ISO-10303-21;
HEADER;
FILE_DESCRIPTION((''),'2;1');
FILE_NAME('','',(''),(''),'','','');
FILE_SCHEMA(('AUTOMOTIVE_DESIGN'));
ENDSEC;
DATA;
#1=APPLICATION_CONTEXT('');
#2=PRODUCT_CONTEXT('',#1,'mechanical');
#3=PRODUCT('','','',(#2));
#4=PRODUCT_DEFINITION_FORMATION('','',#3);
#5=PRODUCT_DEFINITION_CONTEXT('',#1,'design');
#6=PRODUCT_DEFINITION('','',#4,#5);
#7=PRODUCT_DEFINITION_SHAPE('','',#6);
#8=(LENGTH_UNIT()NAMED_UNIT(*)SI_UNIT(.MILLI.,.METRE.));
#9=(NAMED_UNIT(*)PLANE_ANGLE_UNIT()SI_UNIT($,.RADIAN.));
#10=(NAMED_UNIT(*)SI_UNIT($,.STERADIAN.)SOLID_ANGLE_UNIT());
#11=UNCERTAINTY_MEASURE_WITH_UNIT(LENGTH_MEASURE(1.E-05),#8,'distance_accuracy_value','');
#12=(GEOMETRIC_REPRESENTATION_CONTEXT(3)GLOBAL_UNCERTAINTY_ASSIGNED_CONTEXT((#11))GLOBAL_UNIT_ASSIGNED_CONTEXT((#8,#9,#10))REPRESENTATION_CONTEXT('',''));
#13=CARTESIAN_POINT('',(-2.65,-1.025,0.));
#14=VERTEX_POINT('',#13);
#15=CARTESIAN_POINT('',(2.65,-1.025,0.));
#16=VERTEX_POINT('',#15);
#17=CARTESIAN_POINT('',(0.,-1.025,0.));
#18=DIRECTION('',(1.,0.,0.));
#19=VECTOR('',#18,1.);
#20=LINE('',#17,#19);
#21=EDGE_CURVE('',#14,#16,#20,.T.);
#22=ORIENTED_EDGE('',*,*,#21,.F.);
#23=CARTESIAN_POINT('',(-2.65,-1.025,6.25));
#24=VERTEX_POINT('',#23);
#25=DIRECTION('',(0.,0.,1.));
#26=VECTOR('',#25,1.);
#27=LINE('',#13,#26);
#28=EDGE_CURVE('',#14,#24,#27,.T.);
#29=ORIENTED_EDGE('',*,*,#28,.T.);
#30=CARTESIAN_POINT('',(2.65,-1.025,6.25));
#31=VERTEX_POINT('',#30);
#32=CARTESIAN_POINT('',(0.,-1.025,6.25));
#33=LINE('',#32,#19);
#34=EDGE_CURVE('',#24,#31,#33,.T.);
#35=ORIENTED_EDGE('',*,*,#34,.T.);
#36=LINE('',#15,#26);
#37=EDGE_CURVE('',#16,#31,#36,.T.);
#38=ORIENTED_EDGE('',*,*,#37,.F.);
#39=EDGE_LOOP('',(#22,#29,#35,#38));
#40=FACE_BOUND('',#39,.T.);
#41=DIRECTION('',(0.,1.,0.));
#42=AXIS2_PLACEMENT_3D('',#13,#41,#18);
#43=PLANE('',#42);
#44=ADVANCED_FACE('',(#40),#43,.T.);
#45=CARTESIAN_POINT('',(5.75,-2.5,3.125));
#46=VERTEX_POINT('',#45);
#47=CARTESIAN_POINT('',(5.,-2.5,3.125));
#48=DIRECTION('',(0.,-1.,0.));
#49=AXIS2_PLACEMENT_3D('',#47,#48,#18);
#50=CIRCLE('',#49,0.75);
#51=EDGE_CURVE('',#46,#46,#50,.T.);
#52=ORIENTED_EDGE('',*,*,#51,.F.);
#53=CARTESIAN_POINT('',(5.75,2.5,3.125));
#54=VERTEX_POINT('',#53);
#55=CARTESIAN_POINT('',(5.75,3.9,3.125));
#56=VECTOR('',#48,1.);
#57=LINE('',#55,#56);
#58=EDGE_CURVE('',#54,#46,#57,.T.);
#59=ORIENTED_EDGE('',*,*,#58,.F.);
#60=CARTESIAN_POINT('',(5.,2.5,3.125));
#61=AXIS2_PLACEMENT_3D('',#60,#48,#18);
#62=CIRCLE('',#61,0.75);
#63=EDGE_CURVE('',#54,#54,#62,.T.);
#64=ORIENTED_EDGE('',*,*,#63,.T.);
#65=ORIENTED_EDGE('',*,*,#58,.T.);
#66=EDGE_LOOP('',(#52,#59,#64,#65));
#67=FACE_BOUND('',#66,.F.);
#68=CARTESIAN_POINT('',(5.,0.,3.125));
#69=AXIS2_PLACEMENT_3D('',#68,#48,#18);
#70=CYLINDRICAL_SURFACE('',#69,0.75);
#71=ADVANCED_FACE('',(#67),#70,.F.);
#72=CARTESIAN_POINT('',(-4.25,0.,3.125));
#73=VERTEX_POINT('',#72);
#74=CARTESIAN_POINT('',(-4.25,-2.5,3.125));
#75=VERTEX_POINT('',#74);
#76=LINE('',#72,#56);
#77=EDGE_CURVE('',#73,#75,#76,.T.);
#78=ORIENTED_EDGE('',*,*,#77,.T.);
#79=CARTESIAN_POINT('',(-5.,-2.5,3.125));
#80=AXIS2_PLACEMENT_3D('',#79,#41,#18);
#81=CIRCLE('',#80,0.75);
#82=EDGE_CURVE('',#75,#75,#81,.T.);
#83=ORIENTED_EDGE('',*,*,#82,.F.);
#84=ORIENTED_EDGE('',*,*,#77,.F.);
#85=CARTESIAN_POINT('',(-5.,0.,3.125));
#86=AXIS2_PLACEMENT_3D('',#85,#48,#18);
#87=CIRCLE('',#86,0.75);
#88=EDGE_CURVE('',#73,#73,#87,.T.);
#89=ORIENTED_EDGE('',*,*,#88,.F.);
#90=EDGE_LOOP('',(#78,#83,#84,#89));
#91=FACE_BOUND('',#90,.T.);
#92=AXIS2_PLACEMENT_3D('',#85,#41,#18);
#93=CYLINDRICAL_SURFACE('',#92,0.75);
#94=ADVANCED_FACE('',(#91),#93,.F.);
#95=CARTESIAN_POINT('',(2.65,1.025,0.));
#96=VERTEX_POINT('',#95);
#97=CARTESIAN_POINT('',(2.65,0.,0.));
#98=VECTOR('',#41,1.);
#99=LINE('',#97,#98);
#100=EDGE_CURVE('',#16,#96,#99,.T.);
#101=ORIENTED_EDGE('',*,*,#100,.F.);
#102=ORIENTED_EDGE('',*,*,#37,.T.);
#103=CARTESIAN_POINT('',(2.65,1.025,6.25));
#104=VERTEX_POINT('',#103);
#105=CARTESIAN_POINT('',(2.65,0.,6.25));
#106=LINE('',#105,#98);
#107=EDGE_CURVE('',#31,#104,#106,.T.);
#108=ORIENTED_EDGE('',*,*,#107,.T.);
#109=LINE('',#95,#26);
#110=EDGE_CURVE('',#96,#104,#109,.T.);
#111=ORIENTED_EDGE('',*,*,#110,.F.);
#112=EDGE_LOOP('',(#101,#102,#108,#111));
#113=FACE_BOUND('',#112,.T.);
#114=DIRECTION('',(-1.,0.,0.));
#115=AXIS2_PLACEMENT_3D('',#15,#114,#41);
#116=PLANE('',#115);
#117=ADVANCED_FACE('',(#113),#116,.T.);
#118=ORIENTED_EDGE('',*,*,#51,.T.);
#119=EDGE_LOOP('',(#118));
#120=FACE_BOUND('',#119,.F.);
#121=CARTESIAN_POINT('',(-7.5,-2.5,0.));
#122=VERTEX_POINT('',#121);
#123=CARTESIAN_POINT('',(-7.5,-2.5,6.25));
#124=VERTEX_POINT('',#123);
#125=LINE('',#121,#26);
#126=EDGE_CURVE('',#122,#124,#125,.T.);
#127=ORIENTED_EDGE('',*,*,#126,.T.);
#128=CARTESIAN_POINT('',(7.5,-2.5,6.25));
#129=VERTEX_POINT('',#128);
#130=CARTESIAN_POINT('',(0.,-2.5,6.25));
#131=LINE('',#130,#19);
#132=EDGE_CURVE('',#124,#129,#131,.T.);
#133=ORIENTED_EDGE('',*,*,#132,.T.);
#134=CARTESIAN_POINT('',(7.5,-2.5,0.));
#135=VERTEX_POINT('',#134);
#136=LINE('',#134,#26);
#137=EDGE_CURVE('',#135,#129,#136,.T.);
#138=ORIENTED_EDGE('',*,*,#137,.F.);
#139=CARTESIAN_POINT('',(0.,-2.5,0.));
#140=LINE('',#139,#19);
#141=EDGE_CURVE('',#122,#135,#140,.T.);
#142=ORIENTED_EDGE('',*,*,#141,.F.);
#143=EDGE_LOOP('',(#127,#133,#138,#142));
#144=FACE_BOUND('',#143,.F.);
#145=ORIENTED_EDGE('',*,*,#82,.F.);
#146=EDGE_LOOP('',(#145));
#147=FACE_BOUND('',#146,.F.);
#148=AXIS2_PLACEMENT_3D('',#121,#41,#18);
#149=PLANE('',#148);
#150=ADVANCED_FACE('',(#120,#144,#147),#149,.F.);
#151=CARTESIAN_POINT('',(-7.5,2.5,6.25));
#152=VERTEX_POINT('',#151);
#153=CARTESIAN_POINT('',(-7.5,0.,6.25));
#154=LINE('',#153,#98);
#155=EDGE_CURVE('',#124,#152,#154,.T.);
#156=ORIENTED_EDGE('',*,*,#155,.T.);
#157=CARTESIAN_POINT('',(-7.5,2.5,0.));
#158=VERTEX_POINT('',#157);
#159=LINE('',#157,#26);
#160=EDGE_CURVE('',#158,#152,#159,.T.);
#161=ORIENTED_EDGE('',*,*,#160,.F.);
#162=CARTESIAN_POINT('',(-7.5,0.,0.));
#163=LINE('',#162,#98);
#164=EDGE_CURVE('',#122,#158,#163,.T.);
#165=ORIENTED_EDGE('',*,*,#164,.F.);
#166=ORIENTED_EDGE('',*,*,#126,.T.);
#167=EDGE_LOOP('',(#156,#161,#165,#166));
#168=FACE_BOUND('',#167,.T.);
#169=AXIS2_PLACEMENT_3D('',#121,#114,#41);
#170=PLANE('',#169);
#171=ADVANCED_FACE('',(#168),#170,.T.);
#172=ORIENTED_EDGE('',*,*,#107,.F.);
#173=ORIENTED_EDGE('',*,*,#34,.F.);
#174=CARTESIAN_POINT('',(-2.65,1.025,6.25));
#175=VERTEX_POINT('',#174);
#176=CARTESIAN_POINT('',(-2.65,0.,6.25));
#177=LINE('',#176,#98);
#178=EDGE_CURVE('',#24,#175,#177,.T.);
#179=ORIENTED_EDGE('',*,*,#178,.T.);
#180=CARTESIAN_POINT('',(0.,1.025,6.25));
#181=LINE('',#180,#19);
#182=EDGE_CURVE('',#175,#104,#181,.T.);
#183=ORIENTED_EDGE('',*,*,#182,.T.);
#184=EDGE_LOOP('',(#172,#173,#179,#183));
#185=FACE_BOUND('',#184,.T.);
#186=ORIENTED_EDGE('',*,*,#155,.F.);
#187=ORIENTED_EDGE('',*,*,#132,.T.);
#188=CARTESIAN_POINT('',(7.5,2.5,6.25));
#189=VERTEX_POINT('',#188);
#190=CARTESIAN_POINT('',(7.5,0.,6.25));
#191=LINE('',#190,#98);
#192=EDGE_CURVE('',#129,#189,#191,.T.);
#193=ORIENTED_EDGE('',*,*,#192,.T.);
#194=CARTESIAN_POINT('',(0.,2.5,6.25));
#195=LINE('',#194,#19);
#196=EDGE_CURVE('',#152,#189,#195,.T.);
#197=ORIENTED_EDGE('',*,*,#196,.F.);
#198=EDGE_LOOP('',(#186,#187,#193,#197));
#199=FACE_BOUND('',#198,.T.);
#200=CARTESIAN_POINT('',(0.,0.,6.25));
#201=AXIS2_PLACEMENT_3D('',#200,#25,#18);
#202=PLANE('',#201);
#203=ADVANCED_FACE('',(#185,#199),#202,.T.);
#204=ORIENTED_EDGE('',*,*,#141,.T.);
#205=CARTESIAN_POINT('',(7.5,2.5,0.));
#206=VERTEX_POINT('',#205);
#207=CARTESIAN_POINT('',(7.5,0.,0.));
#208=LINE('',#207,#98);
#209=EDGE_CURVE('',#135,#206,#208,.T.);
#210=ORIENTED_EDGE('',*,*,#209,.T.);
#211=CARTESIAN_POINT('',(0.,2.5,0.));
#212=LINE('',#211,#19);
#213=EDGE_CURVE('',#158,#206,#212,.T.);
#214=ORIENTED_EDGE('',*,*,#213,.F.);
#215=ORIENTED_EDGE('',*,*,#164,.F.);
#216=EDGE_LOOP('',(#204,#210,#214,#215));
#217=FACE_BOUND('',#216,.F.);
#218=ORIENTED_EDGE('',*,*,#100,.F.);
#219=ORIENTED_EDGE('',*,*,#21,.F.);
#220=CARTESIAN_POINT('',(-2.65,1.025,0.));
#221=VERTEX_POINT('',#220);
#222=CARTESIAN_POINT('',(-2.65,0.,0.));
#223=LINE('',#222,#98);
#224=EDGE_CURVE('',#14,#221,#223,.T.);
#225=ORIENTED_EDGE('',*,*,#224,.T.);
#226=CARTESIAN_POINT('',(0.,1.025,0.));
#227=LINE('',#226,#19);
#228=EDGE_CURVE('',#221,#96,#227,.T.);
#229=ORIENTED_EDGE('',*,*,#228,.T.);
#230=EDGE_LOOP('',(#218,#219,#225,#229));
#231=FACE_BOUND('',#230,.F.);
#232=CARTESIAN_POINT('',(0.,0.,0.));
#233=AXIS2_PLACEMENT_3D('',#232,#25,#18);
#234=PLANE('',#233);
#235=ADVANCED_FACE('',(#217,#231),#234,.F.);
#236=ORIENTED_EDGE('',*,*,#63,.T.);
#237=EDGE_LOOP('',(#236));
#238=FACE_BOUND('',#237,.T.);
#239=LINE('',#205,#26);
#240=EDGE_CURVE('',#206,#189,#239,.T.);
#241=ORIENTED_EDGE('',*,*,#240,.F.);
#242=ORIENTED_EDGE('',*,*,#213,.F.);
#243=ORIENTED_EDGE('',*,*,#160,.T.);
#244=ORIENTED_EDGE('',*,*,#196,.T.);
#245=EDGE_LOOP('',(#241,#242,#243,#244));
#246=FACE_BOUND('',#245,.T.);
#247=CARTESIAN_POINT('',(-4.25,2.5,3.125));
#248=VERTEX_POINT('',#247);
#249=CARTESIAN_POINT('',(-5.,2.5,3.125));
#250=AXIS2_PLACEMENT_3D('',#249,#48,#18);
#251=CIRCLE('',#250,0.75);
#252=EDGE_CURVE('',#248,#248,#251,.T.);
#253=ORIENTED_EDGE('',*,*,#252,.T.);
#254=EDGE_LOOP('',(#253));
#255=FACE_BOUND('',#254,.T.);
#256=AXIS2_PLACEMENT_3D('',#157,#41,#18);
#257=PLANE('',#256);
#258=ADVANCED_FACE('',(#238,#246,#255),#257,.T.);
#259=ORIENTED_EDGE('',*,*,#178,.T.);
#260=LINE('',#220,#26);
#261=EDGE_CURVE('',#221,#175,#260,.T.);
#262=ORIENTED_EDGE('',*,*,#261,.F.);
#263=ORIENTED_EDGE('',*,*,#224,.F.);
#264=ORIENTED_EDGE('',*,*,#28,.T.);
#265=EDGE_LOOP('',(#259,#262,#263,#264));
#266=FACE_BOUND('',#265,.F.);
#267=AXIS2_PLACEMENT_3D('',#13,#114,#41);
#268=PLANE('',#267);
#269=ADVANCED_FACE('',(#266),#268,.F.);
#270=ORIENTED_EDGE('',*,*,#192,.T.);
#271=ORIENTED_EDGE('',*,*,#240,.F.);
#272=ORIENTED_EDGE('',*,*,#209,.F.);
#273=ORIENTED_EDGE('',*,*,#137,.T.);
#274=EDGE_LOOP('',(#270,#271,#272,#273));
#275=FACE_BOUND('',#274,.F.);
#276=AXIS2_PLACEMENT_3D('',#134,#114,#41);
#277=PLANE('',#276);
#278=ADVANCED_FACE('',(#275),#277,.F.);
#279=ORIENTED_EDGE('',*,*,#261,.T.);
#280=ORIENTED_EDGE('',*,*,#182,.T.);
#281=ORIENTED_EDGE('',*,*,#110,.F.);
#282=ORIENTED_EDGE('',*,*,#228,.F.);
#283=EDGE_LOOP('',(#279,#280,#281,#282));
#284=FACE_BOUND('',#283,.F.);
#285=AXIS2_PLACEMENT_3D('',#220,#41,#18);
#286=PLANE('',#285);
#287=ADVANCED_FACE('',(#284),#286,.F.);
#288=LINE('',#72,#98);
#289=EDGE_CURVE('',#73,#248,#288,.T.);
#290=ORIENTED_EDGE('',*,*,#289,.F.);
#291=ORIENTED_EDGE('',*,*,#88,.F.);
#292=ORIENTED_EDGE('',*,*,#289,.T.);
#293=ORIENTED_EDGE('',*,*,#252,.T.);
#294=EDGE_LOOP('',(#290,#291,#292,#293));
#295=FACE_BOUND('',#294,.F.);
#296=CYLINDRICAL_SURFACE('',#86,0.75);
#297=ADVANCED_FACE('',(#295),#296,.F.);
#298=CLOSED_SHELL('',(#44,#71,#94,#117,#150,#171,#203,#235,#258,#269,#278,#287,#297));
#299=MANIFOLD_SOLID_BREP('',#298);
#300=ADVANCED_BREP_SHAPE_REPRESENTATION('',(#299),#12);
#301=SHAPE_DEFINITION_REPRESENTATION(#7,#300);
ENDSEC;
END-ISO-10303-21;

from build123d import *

# Parameters (mm, degrees)
F0_W     = 15
F0_H     = 5
F0_W_2   = 5.3
F0_H_2   = 2.05
F1_DEPTH = 6.25
F2_R     = 0.75
F3_DEPTH = 3.9


with BuildPart() as f1:
    # F0 (on Top) → F1 (new body)
    with BuildSketch(Plane.XY):
        Rectangle(F0_W, F0_H)
        Rectangle(F0_W_2, F0_H_2, mode=Mode.SUBTRACT)
    extrude(amount=F1_DEPTH)

    # F2 (on Front) → F3 (cut, symmetric)
    with BuildSketch(Plane.XZ):
        with Locations((-5, 3.125)):
            Circle(F2_R)
        with Locations((5, 3.125)):
            Circle(F2_R)
    extrude(amount=F3_DEPTH, both=True, mode=Mode.SUBTRACT)


solid = f1.part
